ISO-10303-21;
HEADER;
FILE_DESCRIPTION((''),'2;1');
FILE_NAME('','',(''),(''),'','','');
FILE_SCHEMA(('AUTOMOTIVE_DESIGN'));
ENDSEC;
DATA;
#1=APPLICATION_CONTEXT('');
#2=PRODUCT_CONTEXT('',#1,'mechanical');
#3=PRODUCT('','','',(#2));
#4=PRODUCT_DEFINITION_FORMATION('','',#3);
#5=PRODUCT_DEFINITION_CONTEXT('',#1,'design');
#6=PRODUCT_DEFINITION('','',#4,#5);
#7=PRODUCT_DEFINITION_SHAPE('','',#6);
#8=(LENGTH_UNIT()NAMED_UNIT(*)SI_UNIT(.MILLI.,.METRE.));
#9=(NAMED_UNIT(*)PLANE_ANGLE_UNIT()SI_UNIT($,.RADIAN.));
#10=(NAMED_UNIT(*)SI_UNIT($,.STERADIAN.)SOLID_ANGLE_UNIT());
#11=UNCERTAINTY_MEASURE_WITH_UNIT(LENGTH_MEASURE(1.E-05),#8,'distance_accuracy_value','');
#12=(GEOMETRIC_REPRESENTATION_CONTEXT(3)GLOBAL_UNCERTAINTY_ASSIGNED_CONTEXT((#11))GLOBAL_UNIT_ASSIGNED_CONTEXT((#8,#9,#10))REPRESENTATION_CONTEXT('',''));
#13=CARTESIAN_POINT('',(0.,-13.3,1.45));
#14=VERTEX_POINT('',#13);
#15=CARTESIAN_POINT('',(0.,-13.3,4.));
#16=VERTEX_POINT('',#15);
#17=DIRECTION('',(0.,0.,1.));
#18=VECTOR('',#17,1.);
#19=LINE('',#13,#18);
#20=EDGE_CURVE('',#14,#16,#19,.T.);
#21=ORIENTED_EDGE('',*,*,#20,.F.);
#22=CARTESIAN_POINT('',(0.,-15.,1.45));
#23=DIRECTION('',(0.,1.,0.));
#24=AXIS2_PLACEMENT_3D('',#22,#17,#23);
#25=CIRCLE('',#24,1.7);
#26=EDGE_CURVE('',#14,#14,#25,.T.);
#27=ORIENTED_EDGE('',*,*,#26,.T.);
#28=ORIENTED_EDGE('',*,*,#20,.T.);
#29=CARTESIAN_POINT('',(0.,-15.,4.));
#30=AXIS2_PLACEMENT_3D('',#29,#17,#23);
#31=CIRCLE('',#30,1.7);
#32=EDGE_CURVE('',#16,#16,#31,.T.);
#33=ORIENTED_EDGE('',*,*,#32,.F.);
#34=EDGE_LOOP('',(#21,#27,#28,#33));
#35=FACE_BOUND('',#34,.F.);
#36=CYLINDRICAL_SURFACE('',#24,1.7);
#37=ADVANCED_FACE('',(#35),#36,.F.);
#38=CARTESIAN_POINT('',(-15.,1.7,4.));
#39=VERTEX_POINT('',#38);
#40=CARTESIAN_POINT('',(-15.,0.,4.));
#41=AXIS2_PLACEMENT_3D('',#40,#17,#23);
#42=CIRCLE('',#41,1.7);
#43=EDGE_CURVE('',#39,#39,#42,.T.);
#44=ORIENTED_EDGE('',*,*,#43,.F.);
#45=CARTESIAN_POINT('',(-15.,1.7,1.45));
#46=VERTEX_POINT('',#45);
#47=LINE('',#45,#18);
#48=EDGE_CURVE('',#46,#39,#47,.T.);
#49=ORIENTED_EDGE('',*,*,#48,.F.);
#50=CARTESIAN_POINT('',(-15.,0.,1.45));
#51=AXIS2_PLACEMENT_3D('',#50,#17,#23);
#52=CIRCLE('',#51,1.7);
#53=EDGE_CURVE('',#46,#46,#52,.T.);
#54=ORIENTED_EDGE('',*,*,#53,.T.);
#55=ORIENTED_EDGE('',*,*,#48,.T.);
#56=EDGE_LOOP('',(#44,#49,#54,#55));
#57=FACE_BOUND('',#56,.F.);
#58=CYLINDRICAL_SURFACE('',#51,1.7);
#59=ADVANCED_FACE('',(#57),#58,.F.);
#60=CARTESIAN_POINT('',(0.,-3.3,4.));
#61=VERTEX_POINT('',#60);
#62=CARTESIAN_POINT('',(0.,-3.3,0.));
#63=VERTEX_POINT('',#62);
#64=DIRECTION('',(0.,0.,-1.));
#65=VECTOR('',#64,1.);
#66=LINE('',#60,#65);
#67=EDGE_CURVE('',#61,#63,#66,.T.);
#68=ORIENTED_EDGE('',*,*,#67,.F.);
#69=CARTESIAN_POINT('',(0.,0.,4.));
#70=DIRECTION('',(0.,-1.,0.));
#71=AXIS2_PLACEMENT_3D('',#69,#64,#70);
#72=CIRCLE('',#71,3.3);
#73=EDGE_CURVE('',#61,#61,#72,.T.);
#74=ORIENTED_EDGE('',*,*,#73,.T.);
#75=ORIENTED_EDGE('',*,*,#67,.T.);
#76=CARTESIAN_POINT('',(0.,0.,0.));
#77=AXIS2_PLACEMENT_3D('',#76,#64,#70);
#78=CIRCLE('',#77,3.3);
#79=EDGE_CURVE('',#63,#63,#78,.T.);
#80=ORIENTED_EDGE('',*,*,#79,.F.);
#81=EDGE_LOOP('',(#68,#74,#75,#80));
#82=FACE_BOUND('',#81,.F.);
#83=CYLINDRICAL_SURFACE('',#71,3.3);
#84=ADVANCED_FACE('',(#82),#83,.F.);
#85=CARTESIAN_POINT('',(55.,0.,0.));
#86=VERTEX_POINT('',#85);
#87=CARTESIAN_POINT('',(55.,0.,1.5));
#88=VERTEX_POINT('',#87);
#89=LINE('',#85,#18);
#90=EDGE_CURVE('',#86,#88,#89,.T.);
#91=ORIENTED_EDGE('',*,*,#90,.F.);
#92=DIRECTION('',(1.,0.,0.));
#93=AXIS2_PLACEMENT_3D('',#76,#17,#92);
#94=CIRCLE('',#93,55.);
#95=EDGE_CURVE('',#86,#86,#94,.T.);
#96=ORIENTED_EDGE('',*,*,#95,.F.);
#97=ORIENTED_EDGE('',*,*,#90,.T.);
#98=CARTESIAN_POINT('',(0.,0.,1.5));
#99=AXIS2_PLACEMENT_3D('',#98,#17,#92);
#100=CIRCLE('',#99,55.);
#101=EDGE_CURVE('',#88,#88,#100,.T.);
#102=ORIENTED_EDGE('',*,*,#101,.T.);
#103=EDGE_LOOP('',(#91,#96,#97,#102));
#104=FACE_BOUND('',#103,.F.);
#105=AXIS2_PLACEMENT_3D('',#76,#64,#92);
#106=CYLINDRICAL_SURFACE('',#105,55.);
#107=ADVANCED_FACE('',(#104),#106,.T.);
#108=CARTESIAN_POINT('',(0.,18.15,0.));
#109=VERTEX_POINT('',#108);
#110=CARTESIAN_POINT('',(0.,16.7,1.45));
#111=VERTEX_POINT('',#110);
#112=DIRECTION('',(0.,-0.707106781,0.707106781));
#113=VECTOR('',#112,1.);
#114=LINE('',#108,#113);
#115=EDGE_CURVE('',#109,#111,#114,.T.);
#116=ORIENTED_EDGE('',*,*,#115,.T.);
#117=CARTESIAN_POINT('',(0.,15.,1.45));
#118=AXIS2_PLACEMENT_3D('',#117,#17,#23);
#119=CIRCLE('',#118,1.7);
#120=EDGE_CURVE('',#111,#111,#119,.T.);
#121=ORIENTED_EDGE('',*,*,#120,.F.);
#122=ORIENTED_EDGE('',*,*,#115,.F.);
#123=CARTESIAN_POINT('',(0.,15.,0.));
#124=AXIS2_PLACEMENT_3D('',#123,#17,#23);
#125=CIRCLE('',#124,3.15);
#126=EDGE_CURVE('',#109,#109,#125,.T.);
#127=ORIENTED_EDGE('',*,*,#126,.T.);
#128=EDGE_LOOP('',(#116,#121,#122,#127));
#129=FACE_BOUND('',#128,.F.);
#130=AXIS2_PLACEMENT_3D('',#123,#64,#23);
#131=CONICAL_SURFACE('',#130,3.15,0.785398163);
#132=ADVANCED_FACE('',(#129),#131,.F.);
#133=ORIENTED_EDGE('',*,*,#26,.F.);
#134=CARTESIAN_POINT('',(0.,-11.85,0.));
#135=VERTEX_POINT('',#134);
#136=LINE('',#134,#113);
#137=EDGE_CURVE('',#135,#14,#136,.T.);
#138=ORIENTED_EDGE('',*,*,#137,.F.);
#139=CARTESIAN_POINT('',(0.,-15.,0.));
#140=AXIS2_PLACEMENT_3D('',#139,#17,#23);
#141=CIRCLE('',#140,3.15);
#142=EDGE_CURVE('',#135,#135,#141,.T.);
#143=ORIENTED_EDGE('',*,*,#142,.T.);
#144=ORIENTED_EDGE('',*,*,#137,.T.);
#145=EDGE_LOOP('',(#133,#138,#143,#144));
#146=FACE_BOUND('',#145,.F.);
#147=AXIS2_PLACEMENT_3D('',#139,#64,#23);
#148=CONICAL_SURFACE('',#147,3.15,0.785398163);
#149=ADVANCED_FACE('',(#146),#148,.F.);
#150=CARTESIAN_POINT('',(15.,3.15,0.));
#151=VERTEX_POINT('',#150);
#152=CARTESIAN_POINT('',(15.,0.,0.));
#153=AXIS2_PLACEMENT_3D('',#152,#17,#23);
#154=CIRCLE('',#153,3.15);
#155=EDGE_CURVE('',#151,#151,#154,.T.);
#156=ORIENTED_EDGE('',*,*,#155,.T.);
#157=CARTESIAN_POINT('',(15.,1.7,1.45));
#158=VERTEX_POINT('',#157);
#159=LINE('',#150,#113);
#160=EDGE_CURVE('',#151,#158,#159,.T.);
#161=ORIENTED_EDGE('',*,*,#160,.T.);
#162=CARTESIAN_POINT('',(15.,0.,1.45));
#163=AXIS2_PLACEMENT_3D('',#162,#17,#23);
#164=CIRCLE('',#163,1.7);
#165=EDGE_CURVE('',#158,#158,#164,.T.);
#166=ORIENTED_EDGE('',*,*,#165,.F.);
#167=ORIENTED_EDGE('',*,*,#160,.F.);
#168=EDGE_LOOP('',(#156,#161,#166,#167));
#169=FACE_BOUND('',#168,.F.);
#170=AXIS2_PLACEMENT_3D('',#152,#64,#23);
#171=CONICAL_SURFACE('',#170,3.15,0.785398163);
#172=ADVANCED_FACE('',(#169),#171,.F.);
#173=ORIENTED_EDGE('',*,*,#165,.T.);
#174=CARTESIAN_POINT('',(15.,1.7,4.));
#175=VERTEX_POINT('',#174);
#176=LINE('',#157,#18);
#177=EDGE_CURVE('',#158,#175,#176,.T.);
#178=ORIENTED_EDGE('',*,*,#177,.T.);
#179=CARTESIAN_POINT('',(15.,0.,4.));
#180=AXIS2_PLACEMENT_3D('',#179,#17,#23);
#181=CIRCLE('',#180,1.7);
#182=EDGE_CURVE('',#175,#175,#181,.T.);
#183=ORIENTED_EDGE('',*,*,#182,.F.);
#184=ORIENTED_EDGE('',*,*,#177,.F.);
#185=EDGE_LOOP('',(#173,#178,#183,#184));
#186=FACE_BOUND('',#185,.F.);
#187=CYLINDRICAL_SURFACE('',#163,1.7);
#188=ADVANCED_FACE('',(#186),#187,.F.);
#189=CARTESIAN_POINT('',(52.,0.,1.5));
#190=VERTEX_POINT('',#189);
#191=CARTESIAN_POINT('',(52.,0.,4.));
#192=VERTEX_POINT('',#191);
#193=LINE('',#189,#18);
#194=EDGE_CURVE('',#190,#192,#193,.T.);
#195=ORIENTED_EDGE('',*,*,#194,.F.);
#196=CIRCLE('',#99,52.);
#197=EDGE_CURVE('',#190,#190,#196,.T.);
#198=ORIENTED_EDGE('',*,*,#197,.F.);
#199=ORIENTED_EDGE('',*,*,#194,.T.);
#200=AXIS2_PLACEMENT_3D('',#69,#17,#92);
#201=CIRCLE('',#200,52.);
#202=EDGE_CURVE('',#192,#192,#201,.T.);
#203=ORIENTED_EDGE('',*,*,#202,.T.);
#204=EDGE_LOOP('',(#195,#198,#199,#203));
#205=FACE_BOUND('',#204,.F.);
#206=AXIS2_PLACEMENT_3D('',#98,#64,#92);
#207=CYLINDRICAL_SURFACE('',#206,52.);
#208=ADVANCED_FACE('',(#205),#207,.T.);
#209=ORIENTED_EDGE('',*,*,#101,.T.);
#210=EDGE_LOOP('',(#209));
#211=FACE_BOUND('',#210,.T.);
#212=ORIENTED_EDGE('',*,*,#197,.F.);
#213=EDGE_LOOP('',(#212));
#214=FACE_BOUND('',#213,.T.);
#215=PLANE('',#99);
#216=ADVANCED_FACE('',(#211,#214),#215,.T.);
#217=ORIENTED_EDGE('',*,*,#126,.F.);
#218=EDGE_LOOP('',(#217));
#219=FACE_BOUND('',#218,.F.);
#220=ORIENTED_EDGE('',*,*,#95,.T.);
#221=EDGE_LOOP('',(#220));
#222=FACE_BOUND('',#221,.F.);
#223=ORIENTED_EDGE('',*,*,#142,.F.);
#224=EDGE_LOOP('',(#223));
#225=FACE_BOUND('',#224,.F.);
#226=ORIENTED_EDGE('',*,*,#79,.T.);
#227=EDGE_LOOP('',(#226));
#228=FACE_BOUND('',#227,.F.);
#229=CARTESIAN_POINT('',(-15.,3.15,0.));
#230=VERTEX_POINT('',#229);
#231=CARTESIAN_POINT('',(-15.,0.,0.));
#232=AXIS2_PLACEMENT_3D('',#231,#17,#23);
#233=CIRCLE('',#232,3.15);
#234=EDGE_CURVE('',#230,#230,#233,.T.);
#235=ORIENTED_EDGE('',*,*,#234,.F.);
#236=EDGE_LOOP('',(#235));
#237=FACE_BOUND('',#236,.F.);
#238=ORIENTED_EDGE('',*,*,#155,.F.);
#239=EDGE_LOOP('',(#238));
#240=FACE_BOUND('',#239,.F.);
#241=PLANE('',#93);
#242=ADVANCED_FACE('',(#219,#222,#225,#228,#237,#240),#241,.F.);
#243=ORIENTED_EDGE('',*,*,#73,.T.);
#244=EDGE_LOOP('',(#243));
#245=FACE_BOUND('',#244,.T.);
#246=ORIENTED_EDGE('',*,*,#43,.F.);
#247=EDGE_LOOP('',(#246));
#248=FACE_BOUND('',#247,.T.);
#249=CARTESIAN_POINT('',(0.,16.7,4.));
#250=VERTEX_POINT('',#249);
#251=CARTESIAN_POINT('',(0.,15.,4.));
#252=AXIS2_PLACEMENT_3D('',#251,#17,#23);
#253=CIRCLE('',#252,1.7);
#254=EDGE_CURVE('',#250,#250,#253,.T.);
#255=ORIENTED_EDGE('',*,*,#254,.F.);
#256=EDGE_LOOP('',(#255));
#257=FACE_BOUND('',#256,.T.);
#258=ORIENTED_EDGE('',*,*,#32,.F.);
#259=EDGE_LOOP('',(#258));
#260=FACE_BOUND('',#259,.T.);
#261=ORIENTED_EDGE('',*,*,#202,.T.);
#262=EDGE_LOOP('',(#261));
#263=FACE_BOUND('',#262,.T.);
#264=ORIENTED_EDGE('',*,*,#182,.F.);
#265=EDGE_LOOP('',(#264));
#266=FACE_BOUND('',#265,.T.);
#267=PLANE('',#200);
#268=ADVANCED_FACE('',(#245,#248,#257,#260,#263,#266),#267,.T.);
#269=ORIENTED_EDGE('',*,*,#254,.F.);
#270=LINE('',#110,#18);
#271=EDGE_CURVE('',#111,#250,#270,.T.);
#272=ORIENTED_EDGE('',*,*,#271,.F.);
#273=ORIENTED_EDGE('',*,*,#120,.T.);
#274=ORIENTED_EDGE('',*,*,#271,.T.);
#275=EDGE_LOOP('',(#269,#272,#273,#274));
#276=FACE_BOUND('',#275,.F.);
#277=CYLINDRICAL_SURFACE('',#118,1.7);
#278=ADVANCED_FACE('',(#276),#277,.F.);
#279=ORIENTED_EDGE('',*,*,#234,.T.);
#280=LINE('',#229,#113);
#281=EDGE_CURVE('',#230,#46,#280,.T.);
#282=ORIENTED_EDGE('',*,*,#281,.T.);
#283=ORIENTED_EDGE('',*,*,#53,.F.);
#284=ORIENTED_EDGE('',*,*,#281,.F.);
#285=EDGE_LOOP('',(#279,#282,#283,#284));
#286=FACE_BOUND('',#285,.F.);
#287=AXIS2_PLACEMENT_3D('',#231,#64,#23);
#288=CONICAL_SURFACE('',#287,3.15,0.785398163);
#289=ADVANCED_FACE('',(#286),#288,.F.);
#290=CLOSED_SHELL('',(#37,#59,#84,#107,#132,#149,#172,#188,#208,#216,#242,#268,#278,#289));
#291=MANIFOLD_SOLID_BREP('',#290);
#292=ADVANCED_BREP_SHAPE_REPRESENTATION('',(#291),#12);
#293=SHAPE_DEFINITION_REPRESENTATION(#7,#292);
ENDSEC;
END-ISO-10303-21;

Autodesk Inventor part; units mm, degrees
ref_plane "YZ Plane" through (0, 0, 0) normal (1, 0, 0) x (0, 1, 0)
ref_plane "XZ Plane" through (0, 0, 0) normal (0, 1, 0) x (-1, 0, 0)
ref_plane "XY Plane" through (0, 0, 0) normal (0, 0, 1) x (1, 0, 0)
sketch "Sketch1" plane through (0, 0, 0) normal (0, 0, 1) x (1, 0, 0)
  circle A0 centre (0, 0) radius 55
  dimension "d0" = 110
extrude "Extrusion1" add sketch "Sketch1" along normal blind 1.5
sketch "Sketch2" plane through (0, 0, 1.5) normal (0, 0, 1) x (1, 0, 0)
  circle A0 centre (0, 0) radius 52
  dimension "d3" = 104
extrude "Extrusion2" add sketch "Sketch2" along normal blind 2.5
sketch "Sketch4" plane through (0, 0, 4) normal (0, 0, 1) x (1, 0, 0)
  point P0 (0, 0)
  point P1 (0, 0)
hole "Hole1" at (0, 0, 4) direction (0, 0, -1) diameter 6.6 end through all clearance for "Hex Head Cap Screw DIN EN 24017" size "M6" standard "DIN"
sketch "Sketch5" plane through (0, 0, 0) normal (0, 0, -1) x (-1, 0, 0)
  circle A0 centre (0, 0) radius 15 construction
  point P0 (15, 0)
  point P1 (0, -15)
  point P2 (-15, 0)
  point P3 (0, 15)
  dimension "d13" = 30
hole "Hole2" at (-15, 0, 0) at (0, -15, 0) at (15, 0, 0) at (0, 15, 0) direction (0, 0, 1) diameter 3.4 depth 8 tip angle 118 countersink diameter 6.3 countersink angle 90 clearance for "Countersunk Flat Head Screw DIN EN ISO 2009" size "M3" standard "DIN"
properties part number "Seconday_End_Top" material "Polycarbonate, Clear"
